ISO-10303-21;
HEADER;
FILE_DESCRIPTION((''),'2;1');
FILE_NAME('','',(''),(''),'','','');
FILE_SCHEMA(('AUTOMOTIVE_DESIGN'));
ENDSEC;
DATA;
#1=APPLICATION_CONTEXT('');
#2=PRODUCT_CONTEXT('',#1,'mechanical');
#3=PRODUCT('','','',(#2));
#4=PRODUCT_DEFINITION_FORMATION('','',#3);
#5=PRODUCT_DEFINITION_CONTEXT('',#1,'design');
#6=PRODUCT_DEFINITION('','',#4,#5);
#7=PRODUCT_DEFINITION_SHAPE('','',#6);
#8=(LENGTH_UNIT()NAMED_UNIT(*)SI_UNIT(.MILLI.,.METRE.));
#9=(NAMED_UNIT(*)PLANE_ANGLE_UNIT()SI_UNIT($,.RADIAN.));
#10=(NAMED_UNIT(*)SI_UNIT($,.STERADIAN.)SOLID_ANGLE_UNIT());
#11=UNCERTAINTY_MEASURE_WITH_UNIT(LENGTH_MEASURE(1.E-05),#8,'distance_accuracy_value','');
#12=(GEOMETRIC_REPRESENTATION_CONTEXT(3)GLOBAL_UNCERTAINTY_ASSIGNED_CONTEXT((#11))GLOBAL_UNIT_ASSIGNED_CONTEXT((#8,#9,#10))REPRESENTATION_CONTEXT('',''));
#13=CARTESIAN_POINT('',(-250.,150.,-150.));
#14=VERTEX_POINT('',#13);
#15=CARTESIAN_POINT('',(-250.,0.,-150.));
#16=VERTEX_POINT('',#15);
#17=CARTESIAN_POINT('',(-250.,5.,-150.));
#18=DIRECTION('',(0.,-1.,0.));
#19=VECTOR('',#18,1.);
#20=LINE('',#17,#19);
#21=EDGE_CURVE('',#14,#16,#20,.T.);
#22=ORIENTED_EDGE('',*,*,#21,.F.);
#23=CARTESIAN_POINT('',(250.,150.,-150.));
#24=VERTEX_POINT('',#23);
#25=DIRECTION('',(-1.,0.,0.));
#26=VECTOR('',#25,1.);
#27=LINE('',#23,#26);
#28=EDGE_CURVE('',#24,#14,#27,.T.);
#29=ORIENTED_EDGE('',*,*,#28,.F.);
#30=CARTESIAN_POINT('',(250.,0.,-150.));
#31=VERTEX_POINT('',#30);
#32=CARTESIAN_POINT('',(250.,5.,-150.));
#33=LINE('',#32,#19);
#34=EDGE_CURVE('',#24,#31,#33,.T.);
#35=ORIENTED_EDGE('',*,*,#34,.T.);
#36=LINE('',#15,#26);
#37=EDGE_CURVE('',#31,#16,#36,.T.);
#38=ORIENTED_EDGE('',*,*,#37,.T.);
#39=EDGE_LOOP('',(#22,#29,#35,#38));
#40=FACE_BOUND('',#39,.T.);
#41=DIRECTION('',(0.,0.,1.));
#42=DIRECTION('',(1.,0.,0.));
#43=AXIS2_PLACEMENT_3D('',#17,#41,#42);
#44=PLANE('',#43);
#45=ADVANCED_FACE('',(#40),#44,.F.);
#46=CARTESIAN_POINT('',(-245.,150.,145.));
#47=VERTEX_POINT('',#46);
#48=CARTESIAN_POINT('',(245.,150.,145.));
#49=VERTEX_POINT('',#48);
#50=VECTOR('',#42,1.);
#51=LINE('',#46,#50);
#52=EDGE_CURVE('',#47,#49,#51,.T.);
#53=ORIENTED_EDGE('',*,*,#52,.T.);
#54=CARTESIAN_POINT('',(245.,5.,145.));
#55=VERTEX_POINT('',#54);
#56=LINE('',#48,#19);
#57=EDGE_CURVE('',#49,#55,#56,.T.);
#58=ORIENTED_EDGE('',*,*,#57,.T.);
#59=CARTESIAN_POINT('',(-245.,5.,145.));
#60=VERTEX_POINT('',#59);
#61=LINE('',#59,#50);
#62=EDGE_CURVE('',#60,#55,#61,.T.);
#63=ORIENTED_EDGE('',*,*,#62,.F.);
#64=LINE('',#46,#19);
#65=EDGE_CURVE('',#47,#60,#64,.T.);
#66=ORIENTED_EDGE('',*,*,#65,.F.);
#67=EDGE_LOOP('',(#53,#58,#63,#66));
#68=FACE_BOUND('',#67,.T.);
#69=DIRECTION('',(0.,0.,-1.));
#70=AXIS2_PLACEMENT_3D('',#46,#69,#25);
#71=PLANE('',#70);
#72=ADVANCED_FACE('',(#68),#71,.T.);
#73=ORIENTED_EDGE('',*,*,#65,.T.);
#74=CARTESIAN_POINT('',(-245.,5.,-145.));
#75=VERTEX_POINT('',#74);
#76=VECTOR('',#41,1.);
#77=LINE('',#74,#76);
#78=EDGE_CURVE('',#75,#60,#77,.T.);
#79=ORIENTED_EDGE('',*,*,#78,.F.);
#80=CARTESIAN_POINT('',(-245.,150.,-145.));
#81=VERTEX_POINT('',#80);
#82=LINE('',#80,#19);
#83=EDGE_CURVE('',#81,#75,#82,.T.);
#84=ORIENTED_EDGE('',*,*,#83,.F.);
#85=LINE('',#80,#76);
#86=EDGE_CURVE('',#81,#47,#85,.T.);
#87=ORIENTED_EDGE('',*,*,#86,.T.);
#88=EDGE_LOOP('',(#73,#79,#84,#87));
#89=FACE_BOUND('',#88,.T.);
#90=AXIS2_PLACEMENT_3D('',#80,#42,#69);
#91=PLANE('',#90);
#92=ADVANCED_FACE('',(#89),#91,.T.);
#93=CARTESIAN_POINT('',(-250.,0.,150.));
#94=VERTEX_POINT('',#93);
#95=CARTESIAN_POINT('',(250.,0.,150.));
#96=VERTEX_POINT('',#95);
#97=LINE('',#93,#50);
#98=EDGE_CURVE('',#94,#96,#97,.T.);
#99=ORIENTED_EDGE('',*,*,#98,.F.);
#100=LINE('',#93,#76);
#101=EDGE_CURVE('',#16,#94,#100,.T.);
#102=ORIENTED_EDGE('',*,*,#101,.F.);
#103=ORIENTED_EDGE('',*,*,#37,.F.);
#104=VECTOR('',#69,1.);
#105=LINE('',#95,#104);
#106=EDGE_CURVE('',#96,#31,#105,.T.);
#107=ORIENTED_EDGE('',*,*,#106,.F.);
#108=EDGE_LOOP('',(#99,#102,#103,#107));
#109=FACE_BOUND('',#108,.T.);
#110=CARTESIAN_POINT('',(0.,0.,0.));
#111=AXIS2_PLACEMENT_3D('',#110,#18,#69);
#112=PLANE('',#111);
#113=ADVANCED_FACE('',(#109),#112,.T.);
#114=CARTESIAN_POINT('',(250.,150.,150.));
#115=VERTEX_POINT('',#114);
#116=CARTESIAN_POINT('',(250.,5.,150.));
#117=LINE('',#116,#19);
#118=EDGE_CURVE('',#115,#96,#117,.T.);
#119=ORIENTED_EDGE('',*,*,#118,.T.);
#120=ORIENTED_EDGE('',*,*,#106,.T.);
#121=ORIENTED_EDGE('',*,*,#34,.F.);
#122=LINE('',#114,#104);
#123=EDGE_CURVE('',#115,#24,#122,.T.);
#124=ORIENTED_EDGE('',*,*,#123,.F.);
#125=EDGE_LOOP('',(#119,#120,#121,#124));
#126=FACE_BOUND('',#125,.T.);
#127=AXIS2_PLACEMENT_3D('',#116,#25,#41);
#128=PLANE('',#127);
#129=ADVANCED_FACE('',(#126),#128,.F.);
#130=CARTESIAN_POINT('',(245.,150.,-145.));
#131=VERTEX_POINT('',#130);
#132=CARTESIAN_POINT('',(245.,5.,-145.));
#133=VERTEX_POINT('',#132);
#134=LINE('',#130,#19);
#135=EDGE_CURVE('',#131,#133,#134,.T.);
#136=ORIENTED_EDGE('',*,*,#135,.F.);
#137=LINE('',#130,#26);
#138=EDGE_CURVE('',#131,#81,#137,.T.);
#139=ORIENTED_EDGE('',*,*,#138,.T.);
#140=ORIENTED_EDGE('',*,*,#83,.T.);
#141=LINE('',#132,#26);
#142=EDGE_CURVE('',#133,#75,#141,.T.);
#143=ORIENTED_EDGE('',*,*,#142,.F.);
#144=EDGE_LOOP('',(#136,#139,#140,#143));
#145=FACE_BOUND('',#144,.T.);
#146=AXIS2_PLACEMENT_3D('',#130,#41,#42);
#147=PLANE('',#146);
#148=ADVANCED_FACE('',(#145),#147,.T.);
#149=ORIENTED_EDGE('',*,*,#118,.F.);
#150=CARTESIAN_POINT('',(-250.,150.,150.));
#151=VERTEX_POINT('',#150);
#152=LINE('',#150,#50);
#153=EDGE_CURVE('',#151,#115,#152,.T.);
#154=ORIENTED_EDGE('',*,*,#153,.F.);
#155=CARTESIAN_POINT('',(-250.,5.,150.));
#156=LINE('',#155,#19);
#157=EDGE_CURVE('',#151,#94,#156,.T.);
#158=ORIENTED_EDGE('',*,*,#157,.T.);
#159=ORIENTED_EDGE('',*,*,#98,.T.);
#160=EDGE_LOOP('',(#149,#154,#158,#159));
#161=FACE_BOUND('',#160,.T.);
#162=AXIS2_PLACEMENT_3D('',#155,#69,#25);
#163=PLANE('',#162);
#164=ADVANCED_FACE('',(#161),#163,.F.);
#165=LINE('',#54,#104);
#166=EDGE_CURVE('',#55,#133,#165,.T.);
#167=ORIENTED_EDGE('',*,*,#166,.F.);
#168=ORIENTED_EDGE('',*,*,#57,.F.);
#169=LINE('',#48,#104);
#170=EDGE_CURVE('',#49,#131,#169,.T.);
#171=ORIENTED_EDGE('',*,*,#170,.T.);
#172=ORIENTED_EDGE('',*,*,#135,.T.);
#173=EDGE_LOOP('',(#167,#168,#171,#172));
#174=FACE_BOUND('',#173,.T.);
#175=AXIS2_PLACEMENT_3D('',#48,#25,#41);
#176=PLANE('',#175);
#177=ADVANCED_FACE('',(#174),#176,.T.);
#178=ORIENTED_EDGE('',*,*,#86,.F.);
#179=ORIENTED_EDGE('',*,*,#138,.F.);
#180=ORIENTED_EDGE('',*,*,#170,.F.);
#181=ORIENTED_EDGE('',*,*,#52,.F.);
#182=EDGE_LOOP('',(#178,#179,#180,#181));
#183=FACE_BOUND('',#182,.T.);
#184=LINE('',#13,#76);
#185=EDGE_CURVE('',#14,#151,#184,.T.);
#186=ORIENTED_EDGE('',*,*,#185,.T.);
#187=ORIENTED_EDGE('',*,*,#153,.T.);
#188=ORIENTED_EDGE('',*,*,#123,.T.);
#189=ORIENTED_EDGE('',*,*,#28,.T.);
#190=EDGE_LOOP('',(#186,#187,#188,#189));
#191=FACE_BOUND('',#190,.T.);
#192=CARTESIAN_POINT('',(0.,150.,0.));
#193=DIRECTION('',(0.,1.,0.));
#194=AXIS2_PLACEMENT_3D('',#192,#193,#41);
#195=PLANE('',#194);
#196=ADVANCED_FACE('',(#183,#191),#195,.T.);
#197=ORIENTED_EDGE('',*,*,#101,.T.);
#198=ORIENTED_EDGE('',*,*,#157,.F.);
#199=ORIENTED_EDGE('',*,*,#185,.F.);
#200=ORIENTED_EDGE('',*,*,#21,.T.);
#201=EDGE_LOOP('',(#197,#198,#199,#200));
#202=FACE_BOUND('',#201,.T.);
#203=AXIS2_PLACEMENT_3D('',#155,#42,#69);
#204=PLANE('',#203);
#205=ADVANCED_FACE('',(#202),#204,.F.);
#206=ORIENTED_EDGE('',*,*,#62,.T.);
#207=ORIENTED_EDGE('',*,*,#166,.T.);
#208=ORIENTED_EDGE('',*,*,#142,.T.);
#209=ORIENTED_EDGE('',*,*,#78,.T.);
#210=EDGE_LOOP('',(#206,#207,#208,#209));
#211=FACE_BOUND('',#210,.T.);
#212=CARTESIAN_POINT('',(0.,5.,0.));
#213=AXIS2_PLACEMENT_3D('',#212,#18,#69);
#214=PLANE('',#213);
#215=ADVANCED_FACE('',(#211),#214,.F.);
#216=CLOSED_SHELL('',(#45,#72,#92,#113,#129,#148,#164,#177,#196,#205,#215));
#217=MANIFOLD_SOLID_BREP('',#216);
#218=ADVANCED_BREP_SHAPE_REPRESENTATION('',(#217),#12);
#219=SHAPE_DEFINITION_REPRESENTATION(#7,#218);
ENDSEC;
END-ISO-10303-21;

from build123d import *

# Parameters (mm, degrees)
SKETCH1_W           = 500
SKETCH1_H           = 300
BOSS_EXTRUDE1_DEPTH = 5
SKETCH2_W           = 500
SKETCH2_H           = 300
SKETCH2_W_2         = 490
SKETCH2_H_2         = 290
BOSS_EXTRUDE2_DEPTH = 145


with BuildPart() as part:
    # Sketch1 → Boss-Extrude1 (new body)
    with BuildSketch(Plane(origin=(0, 0, 0), x_dir=(1, 0, 0), z_dir=(0, 1, 0))):
        Rectangle(SKETCH1_W, SKETCH1_H)
    extrude(amount=BOSS_EXTRUDE1_DEPTH)

    # Sketch2 → Boss-Extrude2 (add)
    with BuildSketch(Plane(origin=(0, 5, 0), x_dir=(1, 0, 0), z_dir=(0, 1, 0))):
        Rectangle(SKETCH2_W, SKETCH2_H)
        Rectangle(SKETCH2_W_2, SKETCH2_H_2, mode=Mode.SUBTRACT)
    extrude(amount=BOSS_EXTRUDE2_DEPTH)


solid = part.part
